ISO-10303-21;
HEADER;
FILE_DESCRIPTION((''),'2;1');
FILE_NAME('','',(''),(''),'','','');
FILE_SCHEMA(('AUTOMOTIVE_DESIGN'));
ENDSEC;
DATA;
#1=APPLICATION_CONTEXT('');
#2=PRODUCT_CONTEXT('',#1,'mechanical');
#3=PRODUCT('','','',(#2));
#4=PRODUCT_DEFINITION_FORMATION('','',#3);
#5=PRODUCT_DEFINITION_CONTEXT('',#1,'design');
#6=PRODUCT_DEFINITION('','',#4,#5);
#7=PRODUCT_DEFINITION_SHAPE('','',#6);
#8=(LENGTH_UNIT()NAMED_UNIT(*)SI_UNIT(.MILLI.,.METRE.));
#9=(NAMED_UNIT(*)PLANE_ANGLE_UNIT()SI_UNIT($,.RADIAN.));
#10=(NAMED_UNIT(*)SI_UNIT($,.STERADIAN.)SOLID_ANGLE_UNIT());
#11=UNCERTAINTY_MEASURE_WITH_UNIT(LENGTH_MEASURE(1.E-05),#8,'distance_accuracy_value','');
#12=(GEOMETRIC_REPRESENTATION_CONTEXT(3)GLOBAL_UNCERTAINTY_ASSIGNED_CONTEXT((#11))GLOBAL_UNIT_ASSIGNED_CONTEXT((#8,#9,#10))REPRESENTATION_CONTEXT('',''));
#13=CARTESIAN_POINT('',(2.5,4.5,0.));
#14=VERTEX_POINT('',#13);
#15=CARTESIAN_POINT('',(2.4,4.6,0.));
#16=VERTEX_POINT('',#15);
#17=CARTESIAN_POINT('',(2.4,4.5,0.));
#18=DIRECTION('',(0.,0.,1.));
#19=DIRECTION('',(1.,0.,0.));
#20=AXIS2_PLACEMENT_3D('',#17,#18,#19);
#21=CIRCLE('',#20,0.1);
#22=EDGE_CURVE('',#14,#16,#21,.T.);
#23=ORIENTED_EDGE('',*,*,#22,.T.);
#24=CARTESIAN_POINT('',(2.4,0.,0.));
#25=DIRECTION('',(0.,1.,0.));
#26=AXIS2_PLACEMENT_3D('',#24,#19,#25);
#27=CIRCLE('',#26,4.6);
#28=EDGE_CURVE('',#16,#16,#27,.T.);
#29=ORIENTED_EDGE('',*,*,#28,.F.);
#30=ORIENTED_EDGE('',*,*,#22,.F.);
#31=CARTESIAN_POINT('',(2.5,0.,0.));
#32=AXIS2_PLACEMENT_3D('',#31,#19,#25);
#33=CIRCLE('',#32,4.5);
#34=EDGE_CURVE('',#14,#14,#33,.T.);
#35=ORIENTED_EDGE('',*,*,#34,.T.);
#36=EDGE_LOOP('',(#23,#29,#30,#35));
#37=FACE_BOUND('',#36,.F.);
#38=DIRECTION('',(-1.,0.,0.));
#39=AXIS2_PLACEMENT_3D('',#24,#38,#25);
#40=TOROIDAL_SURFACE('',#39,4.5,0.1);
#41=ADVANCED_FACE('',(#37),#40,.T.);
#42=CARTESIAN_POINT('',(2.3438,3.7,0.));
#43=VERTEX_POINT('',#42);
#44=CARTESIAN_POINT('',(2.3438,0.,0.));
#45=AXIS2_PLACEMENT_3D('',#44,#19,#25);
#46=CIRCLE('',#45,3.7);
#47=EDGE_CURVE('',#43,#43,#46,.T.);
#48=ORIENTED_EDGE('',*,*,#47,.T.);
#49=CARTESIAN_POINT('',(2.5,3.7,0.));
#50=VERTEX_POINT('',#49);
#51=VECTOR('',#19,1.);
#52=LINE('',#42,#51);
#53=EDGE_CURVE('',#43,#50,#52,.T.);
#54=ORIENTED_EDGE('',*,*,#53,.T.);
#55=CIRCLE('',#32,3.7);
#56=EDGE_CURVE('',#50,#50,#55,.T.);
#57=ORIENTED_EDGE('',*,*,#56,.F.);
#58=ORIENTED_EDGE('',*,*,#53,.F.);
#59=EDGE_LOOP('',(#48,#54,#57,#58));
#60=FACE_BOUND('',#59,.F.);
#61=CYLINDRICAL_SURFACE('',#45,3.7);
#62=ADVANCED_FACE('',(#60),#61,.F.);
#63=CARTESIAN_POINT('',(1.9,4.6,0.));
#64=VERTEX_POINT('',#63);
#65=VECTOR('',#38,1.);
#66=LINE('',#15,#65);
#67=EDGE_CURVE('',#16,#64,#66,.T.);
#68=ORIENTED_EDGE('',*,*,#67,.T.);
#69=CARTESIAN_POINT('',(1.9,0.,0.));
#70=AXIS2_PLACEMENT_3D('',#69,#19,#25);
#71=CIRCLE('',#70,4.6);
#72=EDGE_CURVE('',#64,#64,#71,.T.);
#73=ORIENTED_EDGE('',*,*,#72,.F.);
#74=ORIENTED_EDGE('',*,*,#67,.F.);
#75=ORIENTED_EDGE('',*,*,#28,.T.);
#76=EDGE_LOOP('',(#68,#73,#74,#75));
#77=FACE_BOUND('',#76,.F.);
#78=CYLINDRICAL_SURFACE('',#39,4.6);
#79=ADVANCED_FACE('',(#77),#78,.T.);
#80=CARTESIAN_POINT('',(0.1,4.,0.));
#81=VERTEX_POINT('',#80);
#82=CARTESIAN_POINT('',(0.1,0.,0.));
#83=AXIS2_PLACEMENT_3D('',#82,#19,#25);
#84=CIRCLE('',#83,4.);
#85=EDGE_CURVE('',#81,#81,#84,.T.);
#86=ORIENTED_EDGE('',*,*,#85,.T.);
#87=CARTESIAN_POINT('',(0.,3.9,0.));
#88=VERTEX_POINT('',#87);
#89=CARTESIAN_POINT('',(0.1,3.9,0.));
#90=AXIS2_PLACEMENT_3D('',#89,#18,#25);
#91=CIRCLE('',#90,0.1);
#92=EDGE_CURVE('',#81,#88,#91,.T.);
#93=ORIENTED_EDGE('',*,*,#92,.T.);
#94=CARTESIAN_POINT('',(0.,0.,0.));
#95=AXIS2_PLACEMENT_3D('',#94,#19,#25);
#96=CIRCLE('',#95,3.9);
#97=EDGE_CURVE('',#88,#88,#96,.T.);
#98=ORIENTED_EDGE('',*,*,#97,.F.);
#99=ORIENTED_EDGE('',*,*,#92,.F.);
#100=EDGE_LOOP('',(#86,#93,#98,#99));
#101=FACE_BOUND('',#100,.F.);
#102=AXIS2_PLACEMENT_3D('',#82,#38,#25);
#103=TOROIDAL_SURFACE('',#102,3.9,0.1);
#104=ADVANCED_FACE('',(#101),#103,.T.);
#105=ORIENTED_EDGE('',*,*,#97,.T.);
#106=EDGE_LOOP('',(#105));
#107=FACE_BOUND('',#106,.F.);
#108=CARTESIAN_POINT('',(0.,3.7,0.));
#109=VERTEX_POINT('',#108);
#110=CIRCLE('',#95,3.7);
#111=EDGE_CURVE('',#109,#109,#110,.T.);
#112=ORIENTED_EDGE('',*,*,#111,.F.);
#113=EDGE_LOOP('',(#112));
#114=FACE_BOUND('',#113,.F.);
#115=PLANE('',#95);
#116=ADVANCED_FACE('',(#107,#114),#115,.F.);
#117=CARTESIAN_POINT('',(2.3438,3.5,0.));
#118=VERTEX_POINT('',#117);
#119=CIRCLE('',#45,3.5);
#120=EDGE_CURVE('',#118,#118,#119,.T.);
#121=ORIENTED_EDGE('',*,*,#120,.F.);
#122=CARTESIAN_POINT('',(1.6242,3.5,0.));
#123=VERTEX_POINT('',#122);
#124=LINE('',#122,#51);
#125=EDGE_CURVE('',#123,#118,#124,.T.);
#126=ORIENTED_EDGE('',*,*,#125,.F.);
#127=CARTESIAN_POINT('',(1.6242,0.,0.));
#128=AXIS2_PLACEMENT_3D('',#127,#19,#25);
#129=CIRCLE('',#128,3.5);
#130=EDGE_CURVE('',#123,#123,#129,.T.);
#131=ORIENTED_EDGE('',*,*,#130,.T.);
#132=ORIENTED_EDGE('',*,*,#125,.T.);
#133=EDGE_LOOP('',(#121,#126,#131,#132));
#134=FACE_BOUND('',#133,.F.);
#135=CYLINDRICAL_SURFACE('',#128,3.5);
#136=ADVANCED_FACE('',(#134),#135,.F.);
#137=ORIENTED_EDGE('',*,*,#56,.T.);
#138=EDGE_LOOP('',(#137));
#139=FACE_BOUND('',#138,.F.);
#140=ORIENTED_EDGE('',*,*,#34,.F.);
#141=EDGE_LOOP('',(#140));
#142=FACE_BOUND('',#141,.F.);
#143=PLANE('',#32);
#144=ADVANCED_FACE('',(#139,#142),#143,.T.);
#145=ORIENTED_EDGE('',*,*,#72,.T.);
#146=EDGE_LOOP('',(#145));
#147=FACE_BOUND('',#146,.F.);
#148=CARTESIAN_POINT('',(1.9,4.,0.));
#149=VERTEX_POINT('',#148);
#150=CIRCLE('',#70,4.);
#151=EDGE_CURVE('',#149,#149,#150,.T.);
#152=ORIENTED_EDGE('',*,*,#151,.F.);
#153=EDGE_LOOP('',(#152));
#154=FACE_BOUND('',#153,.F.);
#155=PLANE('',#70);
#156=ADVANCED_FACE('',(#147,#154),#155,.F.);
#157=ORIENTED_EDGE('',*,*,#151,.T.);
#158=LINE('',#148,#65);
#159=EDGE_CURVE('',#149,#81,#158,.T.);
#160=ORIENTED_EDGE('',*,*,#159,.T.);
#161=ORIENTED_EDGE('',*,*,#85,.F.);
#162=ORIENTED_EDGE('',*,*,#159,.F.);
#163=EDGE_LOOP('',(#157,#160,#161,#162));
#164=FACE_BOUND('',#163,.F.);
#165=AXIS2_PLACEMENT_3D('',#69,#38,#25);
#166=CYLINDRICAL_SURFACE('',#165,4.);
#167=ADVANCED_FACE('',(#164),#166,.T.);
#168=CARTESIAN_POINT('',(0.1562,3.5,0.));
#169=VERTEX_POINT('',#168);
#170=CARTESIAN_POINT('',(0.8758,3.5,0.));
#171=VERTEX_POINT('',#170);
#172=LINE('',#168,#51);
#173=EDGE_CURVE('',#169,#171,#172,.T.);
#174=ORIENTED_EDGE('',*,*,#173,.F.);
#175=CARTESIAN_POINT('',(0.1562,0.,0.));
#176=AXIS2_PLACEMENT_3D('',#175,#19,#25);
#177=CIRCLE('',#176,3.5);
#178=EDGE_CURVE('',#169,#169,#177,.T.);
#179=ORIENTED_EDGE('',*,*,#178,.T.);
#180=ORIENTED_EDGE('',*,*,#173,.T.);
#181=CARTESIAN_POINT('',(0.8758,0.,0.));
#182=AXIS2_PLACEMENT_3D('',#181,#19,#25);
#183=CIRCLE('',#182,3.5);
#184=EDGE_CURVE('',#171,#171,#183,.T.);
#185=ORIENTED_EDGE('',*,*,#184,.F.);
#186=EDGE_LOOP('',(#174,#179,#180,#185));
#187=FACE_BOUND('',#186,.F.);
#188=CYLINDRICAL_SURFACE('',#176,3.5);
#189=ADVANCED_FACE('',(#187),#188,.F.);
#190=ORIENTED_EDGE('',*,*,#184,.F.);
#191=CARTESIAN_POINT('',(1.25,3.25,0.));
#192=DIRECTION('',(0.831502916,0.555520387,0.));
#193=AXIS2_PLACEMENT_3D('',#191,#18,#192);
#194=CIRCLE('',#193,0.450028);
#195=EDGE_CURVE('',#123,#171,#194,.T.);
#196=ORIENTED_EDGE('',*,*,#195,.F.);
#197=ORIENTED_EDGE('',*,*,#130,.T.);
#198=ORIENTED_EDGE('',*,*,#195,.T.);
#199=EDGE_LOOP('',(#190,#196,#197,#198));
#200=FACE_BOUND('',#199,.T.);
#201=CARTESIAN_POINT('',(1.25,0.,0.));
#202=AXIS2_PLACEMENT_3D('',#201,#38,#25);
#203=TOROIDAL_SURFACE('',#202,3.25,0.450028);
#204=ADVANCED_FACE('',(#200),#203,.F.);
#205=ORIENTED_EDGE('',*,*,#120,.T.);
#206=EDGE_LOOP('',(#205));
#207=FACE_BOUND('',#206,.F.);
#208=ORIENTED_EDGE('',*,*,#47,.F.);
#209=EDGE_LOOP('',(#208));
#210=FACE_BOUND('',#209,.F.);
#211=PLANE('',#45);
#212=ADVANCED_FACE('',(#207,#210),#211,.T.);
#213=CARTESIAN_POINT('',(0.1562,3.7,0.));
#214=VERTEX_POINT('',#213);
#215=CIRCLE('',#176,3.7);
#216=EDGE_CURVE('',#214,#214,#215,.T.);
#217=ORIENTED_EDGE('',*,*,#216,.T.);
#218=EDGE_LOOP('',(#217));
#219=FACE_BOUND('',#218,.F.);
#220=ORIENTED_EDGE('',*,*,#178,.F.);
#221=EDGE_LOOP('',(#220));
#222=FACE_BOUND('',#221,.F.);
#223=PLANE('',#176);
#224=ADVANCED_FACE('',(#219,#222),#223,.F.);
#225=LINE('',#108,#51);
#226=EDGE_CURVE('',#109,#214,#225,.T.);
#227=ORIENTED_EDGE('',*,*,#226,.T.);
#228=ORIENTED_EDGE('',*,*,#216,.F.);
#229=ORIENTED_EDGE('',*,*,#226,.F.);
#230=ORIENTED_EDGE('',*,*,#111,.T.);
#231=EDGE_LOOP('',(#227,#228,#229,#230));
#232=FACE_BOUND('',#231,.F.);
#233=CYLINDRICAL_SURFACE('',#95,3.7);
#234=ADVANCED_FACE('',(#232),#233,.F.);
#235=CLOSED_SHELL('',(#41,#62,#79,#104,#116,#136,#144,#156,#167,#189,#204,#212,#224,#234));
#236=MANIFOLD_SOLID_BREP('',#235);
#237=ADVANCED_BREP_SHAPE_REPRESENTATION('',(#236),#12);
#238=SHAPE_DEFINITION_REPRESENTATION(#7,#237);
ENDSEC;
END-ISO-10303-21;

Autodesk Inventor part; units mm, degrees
sketch "Sketch_1" plane through (0, 0, 0) normal (0, 0, 1) x (1, 0, 0)
  line L0 (2.5, 0) -> (0, 0)
  line L1 (0, 3.7) -> (0.1562, 3.7)
  line L2 (0.1562, 3.7) -> (0.1562, 3.5)
  line L3 (0.1562, 3.5) -> (0.8758, 3.5)
  arc A0 (1.6242, 3.5) -> (0.8758, 3.5) centre (1.25, 3.25) ccw
  line L4 (1.6242, 3.5) -> (2.3438, 3.5)
  line L5 (2.3438, 3.5) -> (2.3438, 3.7)
  line L6 (2.3438, 3.7) -> (2.5, 3.7)
  line L7 (2.5, 3.7) -> (2.5, 4.5)
  arc A1 (2.5, 4.5) -> (2.4, 4.6) centre (2.4, 4.5) ccw
  line L8 (2.4, 4.6) -> (1.9, 4.6)
  line L9 (1.9, 4.6) -> (1.9, 4)
  line L10 (1.9, 4) -> (0.1, 4)
  arc A2 (0.1, 4) -> (0, 3.9) centre (0.1, 3.9) ccw
  line L11 (0, 3.9) -> (0, 3.7)
revolve "Revolution1" add sketch "Sketch_1" angle 360 about axis through (2.5, 0, 0) along (1, 0, 0)
ref_plane "ip_st_1_XY" through (0, 0, 0) normal (1, 0, 0) x (0, 0, -1)
ref_plane "ip_st_1_YZ" through (0, 0, 0) normal (0, 0, -1) x (0, 1, 0)
ref_plane "ip_st_1_ZX" through (0, 0, 0) normal (0, 1, 0) x (1, 0, 0)
ref_plane "ip_st_2_XY" through (2.3438, 0, 0) normal (-1, 0, 0) x (0, 0, -1)
ref_plane "ip_st_2_YZ" through (2.3438, 0, 0) normal (0, 0, -1) x (0, -1, 0)
ref_plane "ip_st_2_ZX" through (2.3438, 0, 0) normal (0, -1, 0) x (-1, 0, 0)
properties part number "MF85ZZ Outer Ring" material "ステンレス鋼 440C"
